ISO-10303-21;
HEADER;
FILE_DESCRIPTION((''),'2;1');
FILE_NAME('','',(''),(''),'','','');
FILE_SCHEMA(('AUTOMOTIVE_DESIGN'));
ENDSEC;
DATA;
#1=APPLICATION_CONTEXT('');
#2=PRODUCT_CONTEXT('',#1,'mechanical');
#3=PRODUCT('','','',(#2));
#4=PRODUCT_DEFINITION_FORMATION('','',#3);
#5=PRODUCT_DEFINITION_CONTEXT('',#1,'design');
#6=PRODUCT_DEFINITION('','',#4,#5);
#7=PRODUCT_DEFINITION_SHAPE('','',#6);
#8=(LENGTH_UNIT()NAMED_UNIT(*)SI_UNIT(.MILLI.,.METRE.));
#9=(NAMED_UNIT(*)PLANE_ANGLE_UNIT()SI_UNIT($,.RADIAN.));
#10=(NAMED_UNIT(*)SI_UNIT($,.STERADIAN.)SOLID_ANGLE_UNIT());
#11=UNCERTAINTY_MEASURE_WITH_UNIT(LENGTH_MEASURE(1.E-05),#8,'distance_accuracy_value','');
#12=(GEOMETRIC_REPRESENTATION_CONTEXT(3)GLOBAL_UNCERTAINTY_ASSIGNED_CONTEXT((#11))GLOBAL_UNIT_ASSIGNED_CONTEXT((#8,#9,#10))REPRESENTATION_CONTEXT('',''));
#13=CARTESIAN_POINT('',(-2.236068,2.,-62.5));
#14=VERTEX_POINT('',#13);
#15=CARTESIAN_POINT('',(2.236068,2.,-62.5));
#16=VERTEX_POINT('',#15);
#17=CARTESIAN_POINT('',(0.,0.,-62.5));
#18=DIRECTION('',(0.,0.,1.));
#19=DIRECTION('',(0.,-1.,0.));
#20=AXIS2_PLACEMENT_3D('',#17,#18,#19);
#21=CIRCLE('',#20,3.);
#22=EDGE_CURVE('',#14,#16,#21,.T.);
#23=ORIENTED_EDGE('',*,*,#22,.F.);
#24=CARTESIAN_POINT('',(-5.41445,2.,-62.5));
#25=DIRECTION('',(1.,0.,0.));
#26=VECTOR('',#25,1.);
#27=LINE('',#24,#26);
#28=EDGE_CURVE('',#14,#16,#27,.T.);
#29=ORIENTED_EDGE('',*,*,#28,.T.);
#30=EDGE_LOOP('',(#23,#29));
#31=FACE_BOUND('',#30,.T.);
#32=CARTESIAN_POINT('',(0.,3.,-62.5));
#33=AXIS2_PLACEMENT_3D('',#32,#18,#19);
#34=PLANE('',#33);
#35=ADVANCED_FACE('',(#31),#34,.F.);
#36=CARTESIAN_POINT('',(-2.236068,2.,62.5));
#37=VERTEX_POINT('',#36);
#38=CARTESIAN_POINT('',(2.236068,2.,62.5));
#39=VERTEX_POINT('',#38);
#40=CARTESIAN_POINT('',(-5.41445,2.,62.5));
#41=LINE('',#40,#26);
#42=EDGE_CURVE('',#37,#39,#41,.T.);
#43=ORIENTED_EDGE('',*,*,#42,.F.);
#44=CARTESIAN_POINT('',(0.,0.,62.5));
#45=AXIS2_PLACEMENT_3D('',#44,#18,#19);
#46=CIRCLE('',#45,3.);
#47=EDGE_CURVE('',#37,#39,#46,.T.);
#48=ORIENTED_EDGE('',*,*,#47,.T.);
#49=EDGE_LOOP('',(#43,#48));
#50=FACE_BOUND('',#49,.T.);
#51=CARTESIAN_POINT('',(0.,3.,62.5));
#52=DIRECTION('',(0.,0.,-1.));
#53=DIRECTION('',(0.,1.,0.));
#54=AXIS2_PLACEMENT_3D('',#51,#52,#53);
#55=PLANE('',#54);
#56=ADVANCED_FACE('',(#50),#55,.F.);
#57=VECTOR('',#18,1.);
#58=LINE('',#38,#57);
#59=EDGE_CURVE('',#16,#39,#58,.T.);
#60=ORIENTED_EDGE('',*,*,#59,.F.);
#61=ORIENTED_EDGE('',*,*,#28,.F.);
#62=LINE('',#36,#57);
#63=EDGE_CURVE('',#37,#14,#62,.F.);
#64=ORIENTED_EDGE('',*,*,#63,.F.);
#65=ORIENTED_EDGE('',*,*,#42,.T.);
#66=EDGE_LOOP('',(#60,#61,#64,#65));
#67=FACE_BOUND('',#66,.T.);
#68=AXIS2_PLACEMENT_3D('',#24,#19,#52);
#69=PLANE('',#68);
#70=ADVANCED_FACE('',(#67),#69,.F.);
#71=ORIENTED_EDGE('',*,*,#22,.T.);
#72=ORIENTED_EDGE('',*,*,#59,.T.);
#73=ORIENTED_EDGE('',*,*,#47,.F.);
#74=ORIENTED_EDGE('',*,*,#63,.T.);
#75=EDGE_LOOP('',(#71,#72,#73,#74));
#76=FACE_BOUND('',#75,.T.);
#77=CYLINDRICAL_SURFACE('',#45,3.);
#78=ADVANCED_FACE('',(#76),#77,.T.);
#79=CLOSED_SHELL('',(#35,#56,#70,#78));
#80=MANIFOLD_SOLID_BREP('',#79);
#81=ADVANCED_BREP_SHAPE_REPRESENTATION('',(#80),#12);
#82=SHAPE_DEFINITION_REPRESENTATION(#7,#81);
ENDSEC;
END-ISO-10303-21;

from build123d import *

# Parameters (mm, degrees)
SKETCH_1_W               = 125
SKETCH_1_H               = 3
CUT_EXTRUDE_1_DEPTH      = 63.643834493
CUT_EXTRUDE_1_DEPTH_BACK = 63.643834493
SKETCH_3_W               = 11.840495881
SKETCH_3_H               = 1.897947672


with BuildPart() as part:
    # 草圖1 → 旋轉1 (revolve)
    with BuildSketch(Plane(origin=(0, 0, 0), x_dir=(0, 0, -1), z_dir=(1, 0, 0)), mode=Mode.PRIVATE) as revolve_1_sk:
        with Locations((0, 1.5)):
            Rectangle(SKETCH_1_W, SKETCH_1_H)
    revolve(revolve_1_sk.sketch.rotate(Axis((0, 0, 62.5), (0, 0, -1)), 180), axis=Axis((0, 0, 62.5), (0, 0, -1)))

    # 草圖3 → 除料-伸長1 (cut, two sides: drawn at the far end of the back side and taken through both)
    with BuildSketch(Plane.XY.offset(-CUT_EXTRUDE_1_DEPTH_BACK)):
        with Locations((0.505798237, 2.948973836)):
            Rectangle(SKETCH_3_W, SKETCH_3_H)
    extrude(amount=CUT_EXTRUDE_1_DEPTH + CUT_EXTRUDE_1_DEPTH_BACK, mode=Mode.SUBTRACT)


solid = part.part
